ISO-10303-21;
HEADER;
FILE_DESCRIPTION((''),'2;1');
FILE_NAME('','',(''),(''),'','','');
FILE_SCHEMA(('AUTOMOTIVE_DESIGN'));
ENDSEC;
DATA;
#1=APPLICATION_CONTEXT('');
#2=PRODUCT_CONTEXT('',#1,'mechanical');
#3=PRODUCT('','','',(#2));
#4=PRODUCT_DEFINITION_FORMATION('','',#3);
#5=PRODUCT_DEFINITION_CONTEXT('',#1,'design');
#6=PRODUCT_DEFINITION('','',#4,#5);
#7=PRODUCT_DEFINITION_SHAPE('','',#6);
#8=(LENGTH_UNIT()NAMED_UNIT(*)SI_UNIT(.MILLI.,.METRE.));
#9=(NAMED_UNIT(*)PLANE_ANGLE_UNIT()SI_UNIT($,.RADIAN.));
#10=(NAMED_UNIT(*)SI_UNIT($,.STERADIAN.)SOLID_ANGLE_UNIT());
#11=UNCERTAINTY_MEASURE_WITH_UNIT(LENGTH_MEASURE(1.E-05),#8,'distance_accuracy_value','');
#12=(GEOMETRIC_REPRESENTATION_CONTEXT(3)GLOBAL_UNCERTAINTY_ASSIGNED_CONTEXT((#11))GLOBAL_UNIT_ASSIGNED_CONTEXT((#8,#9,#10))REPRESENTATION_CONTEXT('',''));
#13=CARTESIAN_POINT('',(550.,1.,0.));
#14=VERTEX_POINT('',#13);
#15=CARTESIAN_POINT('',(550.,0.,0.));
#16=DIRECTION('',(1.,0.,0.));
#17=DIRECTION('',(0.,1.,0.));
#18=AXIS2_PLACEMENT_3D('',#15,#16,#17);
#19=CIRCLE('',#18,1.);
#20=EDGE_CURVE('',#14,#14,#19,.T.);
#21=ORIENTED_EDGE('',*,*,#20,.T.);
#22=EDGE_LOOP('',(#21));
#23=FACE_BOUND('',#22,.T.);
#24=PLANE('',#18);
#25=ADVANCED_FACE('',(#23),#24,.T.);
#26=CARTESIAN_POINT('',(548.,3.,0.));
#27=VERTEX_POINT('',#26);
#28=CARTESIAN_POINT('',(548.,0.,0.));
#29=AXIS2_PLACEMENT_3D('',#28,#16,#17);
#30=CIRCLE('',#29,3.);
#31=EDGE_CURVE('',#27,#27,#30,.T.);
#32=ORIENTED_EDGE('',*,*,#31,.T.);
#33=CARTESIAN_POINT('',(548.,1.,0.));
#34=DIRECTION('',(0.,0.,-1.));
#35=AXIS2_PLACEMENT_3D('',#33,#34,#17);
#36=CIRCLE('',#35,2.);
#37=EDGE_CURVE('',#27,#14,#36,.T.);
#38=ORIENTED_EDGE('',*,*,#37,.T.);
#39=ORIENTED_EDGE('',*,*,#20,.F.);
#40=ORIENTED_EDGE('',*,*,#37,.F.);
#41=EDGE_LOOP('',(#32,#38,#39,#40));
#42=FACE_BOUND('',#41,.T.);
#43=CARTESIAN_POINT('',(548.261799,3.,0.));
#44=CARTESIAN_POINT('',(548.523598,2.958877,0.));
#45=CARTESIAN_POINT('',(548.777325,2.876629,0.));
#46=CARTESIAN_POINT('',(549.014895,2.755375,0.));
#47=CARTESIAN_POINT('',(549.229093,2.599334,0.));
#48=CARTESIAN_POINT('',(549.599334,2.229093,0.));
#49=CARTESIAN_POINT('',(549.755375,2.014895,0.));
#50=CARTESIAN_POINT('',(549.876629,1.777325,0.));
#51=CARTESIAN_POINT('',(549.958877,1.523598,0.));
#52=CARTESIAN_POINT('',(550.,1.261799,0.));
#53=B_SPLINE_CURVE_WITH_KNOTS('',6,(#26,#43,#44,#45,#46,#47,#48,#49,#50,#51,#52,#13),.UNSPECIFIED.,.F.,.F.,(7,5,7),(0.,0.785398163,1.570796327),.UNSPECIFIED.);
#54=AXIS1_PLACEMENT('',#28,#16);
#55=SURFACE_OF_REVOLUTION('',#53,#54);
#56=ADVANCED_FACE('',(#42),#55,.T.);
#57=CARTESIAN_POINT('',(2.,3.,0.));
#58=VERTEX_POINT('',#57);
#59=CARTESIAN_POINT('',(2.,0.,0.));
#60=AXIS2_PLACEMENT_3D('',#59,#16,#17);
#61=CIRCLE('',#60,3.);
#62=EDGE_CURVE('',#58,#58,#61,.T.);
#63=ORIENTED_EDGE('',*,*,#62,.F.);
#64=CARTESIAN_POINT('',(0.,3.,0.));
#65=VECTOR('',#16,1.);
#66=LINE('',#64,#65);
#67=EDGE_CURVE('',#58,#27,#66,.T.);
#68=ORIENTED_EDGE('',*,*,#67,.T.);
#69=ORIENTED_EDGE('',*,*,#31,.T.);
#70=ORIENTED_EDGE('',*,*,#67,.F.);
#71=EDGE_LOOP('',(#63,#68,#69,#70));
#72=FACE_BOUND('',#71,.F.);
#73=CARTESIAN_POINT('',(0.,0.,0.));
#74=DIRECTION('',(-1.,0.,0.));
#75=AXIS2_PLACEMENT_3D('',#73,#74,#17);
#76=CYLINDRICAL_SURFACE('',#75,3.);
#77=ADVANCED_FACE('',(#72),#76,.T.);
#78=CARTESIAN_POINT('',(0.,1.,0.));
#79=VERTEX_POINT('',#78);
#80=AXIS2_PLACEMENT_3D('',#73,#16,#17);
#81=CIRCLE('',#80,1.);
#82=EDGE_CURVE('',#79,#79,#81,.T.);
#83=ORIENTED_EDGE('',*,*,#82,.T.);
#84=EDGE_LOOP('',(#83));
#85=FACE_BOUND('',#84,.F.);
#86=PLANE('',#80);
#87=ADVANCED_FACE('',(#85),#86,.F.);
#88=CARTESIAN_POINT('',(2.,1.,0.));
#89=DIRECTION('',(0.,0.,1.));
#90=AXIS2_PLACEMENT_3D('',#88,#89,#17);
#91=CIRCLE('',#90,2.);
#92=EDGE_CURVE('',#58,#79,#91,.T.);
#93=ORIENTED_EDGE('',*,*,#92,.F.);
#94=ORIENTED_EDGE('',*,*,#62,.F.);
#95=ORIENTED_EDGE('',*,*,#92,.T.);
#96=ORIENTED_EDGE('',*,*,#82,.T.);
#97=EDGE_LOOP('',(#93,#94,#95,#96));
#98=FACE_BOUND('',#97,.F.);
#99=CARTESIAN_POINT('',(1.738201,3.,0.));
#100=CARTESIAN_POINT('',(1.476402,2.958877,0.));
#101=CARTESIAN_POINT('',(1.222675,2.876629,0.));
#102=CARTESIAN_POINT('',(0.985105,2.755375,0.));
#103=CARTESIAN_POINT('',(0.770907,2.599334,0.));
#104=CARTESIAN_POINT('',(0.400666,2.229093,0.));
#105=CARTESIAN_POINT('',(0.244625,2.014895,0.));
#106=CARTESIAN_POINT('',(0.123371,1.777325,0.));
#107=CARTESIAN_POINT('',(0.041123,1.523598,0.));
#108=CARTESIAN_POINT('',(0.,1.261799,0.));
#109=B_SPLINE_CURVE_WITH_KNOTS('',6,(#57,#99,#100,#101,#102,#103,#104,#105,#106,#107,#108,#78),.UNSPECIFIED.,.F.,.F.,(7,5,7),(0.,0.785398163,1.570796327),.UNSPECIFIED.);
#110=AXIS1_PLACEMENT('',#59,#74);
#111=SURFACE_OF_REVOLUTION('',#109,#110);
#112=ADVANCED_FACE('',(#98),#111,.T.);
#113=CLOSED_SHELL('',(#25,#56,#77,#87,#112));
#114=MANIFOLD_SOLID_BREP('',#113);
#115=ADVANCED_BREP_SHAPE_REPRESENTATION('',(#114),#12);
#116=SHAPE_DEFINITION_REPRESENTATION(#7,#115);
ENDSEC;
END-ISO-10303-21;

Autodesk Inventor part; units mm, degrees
ref_plane "YZ Plane" through (0, 0, 0) normal (1, 0, 0) x (0, 1, 0)
ref_plane "XZ Plane" through (0, 0, 0) normal (0, 1, 0) x (-1, 0, 0)
ref_plane "XY Plane" through (0, 0, 0) normal (0, 0, 1) x (1, 0, 0)
sketch "草图1" plane through (0, 0, 0) normal (1, 0, 0) x (0, 1, 0)
  circle A0 centre (0, 0) radius 3
  dimension "d0" = 6
extrude "拉伸1" add sketch "草图1" along normal blind 550
fillet "圆角1" radius 2 2 edges at (550, -3, 0) (0, -3, 0)
properties part number "长轴"
